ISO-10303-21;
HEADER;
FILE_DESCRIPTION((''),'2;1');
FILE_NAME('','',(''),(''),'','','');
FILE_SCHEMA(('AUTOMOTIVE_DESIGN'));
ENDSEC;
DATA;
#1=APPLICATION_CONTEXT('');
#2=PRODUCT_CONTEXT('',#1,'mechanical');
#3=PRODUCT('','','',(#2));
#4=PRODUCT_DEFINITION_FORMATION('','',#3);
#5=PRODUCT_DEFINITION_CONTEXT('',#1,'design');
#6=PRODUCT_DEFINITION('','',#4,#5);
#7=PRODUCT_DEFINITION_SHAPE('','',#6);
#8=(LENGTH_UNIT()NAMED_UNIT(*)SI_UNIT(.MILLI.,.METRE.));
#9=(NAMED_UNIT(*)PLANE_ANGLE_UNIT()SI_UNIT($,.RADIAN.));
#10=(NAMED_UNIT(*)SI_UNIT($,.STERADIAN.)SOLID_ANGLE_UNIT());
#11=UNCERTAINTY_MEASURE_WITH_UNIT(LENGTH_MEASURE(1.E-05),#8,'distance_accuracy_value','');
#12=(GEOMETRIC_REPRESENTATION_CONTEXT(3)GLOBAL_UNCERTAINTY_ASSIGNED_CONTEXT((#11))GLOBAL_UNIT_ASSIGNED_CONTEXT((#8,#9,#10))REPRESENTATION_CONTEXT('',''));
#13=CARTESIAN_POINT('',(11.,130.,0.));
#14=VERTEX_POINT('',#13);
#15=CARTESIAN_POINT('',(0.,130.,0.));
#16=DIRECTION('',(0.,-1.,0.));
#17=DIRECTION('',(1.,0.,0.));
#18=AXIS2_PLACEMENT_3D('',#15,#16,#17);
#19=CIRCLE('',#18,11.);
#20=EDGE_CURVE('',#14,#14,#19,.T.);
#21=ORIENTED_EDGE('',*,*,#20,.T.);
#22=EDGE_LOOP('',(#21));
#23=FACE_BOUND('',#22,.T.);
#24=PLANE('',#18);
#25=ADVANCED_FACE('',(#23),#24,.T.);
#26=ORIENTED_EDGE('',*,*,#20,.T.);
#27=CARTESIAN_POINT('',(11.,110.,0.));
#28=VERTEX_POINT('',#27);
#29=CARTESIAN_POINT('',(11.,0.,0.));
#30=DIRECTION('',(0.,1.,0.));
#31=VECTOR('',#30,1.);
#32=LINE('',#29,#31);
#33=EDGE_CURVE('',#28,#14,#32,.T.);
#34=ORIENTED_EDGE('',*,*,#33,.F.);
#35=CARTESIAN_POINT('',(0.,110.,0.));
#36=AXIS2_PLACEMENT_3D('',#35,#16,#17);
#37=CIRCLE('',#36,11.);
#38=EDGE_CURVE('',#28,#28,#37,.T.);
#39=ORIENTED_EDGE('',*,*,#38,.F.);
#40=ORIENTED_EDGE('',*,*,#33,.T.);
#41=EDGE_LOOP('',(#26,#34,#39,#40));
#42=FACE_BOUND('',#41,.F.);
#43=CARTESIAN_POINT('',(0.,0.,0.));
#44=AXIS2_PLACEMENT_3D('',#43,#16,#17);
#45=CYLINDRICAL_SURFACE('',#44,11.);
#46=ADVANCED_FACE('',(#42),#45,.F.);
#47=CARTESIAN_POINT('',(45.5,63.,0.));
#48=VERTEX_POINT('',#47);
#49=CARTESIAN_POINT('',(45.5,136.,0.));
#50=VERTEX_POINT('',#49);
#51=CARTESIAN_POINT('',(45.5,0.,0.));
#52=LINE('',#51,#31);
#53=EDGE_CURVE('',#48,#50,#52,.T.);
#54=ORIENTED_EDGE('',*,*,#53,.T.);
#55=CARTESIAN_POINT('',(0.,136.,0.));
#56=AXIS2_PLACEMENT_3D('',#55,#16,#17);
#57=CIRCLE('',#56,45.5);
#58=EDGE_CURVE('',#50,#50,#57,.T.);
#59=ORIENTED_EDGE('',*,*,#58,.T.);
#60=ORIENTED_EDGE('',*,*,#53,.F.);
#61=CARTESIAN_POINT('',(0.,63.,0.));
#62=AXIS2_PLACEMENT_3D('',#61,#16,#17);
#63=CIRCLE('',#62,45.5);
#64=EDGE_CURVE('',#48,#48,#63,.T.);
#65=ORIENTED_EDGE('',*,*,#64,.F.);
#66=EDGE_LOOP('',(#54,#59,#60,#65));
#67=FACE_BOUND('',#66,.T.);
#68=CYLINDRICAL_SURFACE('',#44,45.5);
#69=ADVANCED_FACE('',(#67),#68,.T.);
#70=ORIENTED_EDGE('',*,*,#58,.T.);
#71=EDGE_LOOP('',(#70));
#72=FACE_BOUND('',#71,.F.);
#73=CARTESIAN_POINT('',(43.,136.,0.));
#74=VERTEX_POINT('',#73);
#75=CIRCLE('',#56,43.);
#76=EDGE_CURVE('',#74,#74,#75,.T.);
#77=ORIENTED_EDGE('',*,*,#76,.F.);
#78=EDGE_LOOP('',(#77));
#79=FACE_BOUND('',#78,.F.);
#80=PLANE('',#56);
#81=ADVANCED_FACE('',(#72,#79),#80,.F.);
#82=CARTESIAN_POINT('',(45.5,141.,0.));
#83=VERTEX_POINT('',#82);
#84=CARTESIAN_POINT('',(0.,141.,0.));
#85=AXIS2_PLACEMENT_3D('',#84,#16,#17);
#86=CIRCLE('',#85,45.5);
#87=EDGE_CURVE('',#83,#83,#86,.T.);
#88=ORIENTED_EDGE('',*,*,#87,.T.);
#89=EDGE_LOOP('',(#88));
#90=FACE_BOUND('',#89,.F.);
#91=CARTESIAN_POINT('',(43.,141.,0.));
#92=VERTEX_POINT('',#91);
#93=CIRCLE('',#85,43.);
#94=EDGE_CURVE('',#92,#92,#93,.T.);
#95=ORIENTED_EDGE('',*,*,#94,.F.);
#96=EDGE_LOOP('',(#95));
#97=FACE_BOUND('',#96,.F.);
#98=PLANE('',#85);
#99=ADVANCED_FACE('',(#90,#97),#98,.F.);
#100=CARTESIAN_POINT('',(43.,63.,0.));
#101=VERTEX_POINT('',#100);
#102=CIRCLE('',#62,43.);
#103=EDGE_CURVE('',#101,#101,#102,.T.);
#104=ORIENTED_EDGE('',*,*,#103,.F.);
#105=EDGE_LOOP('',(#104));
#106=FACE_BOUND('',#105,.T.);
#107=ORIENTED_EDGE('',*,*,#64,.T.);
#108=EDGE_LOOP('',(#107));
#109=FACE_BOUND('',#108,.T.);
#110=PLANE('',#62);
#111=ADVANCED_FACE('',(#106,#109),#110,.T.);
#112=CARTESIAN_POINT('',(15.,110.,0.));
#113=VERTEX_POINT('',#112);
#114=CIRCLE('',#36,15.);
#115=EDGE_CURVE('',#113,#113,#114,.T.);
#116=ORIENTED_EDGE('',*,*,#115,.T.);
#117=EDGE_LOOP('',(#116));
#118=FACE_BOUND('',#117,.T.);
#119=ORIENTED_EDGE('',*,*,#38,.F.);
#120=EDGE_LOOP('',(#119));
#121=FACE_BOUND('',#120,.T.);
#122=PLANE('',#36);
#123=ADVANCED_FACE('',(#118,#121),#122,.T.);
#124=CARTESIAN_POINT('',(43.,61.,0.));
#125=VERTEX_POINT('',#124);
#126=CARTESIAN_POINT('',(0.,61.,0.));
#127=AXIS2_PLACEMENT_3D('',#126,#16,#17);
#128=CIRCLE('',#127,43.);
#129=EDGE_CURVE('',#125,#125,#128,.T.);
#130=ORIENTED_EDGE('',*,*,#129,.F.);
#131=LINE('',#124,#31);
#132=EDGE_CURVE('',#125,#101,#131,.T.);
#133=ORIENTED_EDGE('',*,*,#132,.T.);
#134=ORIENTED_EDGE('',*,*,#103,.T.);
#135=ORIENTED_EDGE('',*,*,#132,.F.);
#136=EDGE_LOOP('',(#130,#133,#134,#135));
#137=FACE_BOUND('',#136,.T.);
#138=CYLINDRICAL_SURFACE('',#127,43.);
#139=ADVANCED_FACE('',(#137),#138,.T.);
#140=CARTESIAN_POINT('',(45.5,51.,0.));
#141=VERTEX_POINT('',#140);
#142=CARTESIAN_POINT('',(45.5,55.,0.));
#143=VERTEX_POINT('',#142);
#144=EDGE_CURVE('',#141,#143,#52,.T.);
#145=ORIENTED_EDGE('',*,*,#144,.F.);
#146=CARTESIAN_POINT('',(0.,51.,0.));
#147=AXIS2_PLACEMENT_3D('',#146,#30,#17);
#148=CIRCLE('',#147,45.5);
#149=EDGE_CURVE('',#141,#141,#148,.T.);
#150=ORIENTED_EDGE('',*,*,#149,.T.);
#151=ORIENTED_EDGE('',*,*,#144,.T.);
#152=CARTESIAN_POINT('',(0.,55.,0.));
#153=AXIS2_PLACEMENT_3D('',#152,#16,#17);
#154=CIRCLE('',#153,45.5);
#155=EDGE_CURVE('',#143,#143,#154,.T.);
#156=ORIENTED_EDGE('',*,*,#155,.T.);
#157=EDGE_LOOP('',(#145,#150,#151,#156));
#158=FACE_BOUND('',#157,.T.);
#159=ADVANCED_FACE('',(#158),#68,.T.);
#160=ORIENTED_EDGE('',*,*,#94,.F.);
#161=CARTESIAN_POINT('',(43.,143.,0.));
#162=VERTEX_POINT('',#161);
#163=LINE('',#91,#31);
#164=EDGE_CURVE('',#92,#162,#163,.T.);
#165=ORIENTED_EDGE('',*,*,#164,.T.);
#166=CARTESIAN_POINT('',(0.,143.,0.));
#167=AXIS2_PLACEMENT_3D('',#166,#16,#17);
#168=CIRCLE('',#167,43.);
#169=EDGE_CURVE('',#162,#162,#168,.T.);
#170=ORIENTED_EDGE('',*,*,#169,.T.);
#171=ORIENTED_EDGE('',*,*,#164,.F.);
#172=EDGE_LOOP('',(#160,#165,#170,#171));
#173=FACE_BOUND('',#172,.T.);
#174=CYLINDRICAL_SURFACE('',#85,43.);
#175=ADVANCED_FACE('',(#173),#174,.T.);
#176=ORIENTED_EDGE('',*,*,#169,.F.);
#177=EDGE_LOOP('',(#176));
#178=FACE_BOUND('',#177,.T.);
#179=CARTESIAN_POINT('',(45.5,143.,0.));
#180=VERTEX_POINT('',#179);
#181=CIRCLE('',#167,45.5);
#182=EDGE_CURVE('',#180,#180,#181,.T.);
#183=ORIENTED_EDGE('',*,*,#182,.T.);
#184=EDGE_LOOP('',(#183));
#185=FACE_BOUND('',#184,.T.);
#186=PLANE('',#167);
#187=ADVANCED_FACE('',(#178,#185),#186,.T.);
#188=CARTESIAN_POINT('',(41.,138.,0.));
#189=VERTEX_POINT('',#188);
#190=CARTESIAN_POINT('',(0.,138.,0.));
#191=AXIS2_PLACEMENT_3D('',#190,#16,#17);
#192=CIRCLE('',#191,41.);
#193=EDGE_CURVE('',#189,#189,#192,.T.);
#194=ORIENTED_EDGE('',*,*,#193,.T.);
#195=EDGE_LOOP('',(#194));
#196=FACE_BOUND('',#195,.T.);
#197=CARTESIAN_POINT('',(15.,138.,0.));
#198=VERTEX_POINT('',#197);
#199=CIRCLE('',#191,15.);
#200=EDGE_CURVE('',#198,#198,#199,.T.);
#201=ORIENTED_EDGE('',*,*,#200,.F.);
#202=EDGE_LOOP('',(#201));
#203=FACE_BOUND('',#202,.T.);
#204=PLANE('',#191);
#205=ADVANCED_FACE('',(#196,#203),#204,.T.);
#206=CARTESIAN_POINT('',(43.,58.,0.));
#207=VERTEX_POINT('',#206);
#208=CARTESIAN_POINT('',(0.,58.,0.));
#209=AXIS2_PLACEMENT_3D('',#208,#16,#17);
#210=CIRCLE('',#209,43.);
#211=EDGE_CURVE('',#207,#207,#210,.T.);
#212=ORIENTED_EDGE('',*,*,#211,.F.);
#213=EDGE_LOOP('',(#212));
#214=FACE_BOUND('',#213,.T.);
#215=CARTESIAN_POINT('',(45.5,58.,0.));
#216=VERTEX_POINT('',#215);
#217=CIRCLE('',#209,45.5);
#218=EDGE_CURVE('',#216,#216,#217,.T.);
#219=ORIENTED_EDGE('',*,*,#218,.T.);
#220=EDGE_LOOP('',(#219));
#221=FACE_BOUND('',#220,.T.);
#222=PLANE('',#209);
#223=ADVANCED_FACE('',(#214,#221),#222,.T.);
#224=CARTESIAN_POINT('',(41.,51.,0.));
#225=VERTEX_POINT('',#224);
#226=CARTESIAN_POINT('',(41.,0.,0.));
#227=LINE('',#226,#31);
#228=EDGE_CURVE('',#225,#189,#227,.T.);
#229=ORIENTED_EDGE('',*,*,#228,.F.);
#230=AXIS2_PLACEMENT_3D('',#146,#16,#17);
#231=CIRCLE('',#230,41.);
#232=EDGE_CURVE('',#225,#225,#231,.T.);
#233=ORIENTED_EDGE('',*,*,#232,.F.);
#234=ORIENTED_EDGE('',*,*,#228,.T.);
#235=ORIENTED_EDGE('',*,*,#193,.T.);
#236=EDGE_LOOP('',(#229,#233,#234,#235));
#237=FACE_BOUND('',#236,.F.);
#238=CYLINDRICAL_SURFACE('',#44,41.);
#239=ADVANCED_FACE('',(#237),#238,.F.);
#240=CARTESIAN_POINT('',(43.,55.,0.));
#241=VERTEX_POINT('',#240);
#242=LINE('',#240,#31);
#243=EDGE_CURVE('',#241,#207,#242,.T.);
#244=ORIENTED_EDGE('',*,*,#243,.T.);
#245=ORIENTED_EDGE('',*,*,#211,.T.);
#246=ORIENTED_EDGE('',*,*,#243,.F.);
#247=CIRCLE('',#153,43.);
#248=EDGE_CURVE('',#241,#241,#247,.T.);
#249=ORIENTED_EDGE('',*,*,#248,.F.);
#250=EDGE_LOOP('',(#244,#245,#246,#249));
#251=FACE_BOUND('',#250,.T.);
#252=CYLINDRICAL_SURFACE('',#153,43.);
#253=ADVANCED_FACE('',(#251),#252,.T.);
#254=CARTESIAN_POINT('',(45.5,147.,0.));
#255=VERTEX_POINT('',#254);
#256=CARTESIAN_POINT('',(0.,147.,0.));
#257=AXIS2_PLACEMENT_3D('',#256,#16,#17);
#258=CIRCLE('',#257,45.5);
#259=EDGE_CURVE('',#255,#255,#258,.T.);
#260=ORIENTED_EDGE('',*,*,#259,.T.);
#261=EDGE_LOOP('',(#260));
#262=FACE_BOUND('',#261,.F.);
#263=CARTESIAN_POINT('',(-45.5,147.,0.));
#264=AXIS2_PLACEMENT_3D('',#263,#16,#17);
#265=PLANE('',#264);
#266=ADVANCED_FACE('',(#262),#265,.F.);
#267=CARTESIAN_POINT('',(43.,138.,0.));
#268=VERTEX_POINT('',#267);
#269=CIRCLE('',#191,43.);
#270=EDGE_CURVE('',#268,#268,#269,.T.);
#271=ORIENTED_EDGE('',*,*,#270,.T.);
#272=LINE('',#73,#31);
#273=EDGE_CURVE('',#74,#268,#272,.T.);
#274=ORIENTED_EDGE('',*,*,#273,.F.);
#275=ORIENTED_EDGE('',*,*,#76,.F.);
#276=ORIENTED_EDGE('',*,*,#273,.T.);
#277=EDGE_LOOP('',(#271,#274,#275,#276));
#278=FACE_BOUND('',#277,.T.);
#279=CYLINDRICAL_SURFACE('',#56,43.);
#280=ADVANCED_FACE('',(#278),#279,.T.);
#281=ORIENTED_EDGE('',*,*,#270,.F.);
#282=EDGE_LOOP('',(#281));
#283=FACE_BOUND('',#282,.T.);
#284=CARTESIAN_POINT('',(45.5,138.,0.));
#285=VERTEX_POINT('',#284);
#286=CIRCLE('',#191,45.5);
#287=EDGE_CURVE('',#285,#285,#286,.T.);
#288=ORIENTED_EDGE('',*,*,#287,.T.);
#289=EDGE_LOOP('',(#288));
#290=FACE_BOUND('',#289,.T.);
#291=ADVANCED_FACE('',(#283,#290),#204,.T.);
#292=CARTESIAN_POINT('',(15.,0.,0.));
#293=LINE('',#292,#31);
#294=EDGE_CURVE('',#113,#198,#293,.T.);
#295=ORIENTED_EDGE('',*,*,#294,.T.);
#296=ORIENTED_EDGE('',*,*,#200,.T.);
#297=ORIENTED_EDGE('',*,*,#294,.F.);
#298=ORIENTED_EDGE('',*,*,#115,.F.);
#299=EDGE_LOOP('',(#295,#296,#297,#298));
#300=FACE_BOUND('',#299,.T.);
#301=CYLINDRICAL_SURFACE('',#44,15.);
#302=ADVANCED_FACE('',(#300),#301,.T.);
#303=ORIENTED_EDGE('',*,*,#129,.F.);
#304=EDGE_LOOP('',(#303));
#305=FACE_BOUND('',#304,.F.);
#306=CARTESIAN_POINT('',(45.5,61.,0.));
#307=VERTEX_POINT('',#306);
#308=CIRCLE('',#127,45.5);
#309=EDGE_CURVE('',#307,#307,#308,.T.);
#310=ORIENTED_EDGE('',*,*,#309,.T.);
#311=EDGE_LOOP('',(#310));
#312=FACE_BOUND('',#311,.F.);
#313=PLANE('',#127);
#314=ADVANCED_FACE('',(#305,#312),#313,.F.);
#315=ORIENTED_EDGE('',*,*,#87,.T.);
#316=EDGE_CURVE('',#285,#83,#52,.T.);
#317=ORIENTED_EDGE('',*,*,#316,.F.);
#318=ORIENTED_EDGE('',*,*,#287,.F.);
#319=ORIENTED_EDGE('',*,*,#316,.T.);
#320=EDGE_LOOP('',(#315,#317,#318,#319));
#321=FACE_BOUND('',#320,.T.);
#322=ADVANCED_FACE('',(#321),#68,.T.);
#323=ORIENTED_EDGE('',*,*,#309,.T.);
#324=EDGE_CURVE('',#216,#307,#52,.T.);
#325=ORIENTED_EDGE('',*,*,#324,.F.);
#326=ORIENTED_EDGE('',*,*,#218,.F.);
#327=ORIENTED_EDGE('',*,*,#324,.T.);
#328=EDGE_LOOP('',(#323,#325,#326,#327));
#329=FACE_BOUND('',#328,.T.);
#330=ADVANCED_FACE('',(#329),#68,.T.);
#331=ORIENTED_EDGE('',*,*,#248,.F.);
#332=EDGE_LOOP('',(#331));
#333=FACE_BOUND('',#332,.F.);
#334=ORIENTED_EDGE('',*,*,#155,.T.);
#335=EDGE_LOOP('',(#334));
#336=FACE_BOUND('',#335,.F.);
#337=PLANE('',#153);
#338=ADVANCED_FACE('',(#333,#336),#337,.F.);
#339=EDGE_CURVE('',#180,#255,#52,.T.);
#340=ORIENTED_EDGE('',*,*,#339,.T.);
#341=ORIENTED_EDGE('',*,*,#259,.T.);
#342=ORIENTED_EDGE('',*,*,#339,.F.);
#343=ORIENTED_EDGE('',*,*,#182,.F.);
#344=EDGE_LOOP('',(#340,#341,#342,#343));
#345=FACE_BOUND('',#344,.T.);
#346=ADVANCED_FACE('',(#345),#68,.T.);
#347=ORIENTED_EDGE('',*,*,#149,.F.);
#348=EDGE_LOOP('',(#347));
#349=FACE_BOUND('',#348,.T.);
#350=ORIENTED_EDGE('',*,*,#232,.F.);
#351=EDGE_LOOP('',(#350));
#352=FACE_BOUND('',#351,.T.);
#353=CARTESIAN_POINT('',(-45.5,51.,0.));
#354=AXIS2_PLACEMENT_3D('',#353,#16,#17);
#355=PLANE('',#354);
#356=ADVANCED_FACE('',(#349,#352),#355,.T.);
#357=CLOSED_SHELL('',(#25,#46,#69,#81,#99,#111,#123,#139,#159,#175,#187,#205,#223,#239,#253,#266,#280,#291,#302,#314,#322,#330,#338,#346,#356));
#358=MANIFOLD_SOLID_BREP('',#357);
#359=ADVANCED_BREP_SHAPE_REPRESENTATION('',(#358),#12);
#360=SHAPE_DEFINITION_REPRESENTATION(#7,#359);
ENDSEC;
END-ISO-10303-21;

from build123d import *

# Parameters (mm, degrees)
PAD021_DEPTH         = 50
SKETCH042_R          = 45.5
PAD022_DEPTH         = 200
SKETCH043_R          = 41
SKETCH043_R_2        = 15
POCKET025_DEPTH      = 138
POCKET026_START      = -141
SKETCH044_R          = 47.5
SKETCH044_R_2        = 43
POCKET026_DEPTH      = 2
POCKET027_START      = -136
POCKET027_DEPTH      = 2
POCKET028_START      = -55
POCKET028_DEPTH      = 3
SKETCH049_R          = 30
POCKET030_DEPTH      = 110
POCKET031_START      = -61
POCKET031_DEPTH      = 2
SKETCH052_R          = 11
POCKET032_DEPTH      = 130
POCKET032_DEPTH_BACK = 5


with BuildPart() as body070:
    # Sketch041 → Pad021 (new body, symmetric)
    with BuildSketch(Plane.XY):
        Polygon((-45.5, 147), (45.5, 147), (45.5, 51), (0, 51), (-45.5, 51), align=None)
    extrude(amount=PAD021_DEPTH, both=True)


with BuildPart() as body071:
    # Sketch042 → Pad022 (new body)
    with BuildSketch(Plane.XZ):
        Circle(SKETCH042_R)
    extrude(amount=-PAD022_DEPTH)

    # Boolean004: intersect Body070
    add(body070.part, mode=Mode.INTERSECT)

    # Sketch043 → Pocket025 (cut)
    with BuildSketch(Plane.XZ):
        Circle(SKETCH043_R)
        Circle(SKETCH043_R_2, mode=Mode.SUBTRACT)
    extrude(amount=-POCKET025_DEPTH, mode=Mode.SUBTRACT)

    # Sketch044 → Pocket026 (cut)
    with BuildSketch(Plane.XZ.offset(POCKET026_START)):
        Circle(SKETCH044_R)
        Circle(SKETCH044_R_2, mode=Mode.SUBTRACT)
    extrude(amount=-POCKET026_DEPTH, mode=Mode.SUBTRACT)

    # Sketch044 → Pocket027 (cut)
    with BuildSketch(Plane.XZ.offset(POCKET027_START)):
        Circle(SKETCH044_R)
        Circle(SKETCH044_R_2, mode=Mode.SUBTRACT)
    extrude(amount=-POCKET027_DEPTH, mode=Mode.SUBTRACT)

    # Sketch044 → Pocket028 (cut)
    with BuildSketch(Plane.XZ.offset(POCKET028_START)):
        Circle(SKETCH044_R)
        Circle(SKETCH044_R_2, mode=Mode.SUBTRACT)
    extrude(amount=-POCKET028_DEPTH, mode=Mode.SUBTRACT)

    # Sketch049 → Pocket030 (cut)
    with BuildSketch(Plane.XZ):
        Circle(SKETCH049_R)
    extrude(amount=-POCKET030_DEPTH, mode=Mode.SUBTRACT)

    # Sketch044 → Pocket031 (cut)
    with BuildSketch(Plane.XZ.offset(POCKET031_START)):
        Circle(SKETCH044_R)
        Circle(SKETCH044_R_2, mode=Mode.SUBTRACT)
    extrude(amount=-POCKET031_DEPTH, mode=Mode.SUBTRACT)

    # Sketch052 → Pocket032 (cut, two sides)
    with BuildSketch(Plane.XZ) as pocket032_sk:
        Circle(SKETCH052_R)
    extrude(amount=-POCKET032_DEPTH, mode=Mode.SUBTRACT)
    extrude(pocket032_sk.sketch, amount=POCKET032_DEPTH_BACK, mode=Mode.SUBTRACT)


solid = body071.part
